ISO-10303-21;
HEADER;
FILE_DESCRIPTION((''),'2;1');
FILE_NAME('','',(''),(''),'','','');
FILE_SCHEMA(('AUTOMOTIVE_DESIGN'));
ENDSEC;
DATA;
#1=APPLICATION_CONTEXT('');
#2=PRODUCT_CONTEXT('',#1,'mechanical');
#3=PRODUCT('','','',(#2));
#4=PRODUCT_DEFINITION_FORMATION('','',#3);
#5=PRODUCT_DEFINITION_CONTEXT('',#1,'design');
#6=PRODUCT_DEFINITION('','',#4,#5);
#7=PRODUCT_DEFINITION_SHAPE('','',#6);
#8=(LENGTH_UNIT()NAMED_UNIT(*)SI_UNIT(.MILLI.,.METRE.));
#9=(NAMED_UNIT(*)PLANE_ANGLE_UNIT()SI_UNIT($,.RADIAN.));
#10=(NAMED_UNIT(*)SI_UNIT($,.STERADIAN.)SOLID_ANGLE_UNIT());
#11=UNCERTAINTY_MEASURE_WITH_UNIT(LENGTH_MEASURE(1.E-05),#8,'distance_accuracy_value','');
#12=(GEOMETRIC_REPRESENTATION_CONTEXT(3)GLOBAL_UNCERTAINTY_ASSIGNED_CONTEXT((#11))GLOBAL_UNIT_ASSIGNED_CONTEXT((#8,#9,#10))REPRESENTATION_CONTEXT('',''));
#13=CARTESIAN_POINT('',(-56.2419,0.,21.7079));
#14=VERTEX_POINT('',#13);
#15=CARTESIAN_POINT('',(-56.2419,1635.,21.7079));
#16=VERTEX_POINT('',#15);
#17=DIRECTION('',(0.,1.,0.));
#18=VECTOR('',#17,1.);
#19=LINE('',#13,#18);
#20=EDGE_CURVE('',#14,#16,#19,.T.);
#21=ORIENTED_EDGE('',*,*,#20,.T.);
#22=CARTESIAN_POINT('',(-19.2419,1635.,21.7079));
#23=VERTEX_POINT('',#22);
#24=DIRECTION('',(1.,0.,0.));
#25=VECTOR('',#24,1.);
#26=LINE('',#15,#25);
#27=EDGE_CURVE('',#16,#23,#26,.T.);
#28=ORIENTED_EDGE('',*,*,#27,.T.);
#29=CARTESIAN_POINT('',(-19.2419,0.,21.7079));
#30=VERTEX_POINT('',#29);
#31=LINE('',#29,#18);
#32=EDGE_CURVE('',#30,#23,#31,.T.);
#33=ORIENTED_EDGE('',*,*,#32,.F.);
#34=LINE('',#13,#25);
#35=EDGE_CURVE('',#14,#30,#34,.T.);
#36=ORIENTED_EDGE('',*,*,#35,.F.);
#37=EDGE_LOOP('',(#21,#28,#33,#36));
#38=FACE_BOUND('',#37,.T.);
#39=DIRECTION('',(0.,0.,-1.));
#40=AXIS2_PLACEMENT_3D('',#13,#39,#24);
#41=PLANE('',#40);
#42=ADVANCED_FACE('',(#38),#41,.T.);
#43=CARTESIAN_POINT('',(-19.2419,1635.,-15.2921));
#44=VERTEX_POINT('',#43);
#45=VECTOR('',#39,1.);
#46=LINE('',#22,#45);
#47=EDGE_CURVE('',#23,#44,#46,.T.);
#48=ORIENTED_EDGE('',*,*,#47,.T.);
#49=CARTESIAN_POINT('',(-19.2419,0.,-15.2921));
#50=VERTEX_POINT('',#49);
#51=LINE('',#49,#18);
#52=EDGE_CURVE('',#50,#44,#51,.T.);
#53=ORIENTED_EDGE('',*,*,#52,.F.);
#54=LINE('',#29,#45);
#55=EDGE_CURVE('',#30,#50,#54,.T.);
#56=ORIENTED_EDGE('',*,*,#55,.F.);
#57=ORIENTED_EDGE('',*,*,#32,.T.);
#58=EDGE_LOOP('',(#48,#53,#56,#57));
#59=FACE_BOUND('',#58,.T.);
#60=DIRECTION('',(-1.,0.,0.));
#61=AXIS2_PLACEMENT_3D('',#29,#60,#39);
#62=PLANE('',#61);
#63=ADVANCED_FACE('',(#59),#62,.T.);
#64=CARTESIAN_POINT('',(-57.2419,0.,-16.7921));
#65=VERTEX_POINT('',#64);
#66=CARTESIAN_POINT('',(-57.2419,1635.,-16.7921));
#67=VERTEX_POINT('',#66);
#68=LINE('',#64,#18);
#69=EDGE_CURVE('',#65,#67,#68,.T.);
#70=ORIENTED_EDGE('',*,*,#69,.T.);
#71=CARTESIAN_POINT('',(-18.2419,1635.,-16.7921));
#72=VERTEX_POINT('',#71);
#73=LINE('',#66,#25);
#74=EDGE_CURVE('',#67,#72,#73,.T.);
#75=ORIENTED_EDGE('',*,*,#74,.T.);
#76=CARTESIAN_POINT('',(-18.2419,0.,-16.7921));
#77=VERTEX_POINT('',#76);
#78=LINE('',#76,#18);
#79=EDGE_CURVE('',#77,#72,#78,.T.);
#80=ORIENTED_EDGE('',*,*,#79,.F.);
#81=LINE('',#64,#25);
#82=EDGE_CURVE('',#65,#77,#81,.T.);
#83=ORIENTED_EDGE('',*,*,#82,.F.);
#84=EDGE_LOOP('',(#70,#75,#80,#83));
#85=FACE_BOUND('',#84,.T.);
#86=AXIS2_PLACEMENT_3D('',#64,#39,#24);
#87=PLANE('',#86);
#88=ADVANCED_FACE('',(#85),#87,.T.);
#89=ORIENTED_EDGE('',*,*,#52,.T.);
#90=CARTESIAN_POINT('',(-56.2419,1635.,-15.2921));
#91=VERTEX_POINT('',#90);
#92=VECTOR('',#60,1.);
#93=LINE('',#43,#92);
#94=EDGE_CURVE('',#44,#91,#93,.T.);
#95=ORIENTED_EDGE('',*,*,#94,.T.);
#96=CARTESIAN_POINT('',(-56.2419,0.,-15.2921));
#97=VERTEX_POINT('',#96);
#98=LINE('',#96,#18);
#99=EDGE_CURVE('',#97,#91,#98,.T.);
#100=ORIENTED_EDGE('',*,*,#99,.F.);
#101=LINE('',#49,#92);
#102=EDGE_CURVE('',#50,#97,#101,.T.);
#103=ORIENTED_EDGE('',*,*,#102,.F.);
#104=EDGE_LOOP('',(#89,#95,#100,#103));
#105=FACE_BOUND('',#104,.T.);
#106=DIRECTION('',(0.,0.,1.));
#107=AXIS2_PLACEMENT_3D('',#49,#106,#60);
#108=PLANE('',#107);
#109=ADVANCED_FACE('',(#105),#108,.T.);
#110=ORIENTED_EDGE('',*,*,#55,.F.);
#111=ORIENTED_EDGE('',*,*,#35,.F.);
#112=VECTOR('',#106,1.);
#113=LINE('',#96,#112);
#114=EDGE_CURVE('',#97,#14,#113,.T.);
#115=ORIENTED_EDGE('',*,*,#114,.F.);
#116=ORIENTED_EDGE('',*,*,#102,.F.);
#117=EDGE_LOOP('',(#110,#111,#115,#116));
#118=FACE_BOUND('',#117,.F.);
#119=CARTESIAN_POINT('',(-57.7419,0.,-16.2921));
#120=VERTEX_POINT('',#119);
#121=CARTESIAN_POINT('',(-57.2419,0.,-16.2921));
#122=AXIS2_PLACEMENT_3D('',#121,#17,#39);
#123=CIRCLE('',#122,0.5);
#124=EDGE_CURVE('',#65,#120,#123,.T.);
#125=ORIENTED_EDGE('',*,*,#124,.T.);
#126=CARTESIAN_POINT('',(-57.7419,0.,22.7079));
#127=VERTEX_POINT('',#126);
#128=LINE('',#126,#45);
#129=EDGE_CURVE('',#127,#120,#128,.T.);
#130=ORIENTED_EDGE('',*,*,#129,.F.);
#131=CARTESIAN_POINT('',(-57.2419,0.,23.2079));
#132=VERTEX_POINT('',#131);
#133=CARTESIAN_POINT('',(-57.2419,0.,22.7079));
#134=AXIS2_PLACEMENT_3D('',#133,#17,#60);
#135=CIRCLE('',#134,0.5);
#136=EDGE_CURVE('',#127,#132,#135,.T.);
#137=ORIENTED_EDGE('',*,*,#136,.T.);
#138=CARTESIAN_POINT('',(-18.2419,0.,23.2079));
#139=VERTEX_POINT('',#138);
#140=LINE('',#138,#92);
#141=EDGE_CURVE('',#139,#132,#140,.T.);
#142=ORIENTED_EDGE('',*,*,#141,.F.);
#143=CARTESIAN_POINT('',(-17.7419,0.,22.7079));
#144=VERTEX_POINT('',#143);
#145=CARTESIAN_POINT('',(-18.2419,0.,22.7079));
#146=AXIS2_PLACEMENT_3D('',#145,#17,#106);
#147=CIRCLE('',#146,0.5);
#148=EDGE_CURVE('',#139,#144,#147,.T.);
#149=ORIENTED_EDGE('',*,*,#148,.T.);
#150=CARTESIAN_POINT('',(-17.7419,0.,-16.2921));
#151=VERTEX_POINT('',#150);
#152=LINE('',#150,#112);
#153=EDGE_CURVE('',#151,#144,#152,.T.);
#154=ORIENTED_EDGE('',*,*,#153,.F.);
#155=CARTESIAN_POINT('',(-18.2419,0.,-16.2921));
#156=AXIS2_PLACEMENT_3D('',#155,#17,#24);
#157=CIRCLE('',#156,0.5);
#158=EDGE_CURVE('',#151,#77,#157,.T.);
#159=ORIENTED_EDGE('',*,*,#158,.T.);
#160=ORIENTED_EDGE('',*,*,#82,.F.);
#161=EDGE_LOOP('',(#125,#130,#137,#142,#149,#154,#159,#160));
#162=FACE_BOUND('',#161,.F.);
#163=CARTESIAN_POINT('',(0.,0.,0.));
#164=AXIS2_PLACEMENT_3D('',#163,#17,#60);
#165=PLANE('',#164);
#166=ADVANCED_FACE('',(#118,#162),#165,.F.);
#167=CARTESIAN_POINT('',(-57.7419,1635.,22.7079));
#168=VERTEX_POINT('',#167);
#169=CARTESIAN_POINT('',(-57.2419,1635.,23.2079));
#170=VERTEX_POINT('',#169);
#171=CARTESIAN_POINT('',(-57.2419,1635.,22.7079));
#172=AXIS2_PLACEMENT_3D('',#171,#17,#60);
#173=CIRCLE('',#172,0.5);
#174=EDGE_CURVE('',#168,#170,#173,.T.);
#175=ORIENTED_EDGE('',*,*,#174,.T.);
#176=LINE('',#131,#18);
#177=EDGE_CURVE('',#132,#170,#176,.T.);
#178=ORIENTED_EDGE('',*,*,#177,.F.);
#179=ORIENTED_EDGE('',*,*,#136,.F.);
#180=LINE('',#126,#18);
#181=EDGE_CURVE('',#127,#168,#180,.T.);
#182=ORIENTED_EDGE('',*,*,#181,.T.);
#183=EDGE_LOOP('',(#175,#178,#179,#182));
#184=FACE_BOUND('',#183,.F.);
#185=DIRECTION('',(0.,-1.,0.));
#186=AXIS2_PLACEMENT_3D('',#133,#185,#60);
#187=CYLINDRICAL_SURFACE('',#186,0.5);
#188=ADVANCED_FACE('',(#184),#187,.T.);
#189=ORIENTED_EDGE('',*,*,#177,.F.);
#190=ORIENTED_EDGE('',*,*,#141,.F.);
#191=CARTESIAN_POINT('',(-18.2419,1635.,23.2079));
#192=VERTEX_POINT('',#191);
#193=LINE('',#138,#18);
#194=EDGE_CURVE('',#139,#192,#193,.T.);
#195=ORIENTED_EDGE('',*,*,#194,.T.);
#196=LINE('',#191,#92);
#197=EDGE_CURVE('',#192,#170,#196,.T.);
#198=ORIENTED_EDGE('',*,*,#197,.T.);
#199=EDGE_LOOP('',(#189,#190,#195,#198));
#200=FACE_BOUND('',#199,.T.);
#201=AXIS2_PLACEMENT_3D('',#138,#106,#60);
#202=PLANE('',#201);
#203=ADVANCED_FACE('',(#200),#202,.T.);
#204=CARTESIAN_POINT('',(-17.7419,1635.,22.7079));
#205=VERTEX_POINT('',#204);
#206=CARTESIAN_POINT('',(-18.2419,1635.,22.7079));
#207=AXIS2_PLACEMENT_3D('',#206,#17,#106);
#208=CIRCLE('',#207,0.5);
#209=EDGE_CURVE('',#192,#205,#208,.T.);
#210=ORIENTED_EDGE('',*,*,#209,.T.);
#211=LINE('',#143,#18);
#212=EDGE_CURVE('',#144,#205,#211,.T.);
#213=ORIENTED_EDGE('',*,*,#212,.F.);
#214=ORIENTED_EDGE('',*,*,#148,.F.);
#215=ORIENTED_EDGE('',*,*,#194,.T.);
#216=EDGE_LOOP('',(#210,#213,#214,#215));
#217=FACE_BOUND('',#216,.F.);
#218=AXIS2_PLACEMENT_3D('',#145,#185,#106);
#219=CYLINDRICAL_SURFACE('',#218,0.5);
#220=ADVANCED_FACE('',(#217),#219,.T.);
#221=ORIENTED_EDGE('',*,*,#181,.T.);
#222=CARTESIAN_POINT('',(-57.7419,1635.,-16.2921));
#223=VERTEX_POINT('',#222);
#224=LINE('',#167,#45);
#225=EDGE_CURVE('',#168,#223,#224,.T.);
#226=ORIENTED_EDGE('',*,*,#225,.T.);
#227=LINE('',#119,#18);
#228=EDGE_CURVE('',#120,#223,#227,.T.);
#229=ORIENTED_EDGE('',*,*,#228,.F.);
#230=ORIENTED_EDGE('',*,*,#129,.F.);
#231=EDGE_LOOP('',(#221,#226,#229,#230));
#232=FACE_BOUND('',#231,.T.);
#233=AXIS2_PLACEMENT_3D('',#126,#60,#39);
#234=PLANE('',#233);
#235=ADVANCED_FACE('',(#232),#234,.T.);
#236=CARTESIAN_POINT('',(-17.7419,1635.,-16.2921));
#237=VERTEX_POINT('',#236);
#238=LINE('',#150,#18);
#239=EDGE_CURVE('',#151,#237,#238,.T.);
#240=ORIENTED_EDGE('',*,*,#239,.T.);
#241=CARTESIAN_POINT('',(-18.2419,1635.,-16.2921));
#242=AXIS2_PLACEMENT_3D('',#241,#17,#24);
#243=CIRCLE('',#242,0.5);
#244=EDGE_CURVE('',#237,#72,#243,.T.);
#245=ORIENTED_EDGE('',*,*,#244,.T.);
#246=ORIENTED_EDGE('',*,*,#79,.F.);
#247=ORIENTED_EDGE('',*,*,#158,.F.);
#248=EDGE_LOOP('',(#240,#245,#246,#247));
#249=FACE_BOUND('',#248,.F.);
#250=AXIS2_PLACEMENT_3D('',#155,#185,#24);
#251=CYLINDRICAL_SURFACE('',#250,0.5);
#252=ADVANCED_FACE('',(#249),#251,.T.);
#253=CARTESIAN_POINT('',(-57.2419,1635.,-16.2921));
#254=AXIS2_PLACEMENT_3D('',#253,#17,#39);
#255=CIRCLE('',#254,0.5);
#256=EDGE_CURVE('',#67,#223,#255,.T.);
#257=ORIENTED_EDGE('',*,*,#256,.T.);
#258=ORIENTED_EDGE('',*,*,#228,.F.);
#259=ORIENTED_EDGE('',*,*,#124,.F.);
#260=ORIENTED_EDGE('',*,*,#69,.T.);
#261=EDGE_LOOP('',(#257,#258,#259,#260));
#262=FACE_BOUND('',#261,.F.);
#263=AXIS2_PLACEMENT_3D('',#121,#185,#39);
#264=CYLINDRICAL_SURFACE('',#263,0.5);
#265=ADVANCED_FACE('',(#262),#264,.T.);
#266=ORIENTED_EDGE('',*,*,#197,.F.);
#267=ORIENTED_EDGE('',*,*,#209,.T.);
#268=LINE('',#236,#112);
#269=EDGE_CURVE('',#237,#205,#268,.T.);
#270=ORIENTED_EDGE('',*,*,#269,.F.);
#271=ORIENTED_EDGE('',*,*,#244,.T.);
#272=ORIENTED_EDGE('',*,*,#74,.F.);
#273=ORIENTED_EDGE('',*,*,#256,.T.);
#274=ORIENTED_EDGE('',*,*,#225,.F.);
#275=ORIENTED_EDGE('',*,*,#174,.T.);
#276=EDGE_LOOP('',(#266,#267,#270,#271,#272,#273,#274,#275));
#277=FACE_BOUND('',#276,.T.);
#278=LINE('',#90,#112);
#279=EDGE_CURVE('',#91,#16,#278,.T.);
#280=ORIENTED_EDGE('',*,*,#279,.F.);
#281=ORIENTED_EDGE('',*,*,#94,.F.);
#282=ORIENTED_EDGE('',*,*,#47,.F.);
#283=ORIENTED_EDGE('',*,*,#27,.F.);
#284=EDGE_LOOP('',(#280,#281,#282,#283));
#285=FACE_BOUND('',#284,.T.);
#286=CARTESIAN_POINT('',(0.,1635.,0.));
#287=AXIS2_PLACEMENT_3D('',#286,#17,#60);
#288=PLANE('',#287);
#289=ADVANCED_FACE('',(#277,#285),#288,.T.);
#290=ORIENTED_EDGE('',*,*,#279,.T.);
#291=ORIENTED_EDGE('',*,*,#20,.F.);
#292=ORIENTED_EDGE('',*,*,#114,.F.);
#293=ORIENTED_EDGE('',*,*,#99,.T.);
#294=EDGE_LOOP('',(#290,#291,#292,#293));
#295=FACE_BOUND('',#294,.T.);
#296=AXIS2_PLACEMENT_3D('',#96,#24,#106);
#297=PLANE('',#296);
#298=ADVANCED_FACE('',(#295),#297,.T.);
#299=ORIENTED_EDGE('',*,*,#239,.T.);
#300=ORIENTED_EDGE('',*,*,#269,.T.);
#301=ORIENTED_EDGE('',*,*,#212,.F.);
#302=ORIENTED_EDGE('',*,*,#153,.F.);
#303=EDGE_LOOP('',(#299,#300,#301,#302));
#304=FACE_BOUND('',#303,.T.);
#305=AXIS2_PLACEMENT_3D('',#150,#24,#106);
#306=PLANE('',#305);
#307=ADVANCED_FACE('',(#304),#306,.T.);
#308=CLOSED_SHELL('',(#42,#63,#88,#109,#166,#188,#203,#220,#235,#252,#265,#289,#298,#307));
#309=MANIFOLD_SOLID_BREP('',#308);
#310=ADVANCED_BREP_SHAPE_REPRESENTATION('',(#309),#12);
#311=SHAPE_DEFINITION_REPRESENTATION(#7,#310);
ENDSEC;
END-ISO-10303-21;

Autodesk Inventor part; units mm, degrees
ref_plane "YZ Plane" through (0, 0, 0) normal (1, 0, 0) x (0, 1, 0)
ref_plane "XZ Plane" through (0, 0, 0) normal (0, 1, 0) x (-1, 0, 0)
ref_plane "XY Plane" through (0, 0, 0) normal (0, 0, 1) x (1, 0, 0)
sketch "Sketch1" plane through (0, 0, 0) normal (0, 1, 0) x (-1, 0, 0)
  line L0 (18.2419, 23.2079) -> (57.2419, 23.2079)
  line L1 (57.7419, 22.7079) -> (57.7419, -16.2921)
  line L2 (57.2419, -16.7921) -> (18.2419, -16.7921)
  line L3 (17.7419, -16.2921) -> (17.7419, 22.7079)
  line L4 (56.2419, 21.7079) -> (19.2419, 21.7079)
  line L5 (19.2419, 21.7079) -> (19.2419, -15.2921)
  line L6 (19.2419, -15.2921) -> (56.2419, -15.2921)
  line L7 (56.2419, -15.2921) -> (56.2419, 21.7079)
  arc A0 (18.2419, 23.2079) -> (17.7419, 22.7079) centre (18.2419, 22.7079) ccw
  arc A1 (57.7419, 22.7079) -> (57.2419, 23.2079) centre (57.2419, 22.7079) ccw
  arc A2 (57.2419, -16.7921) -> (57.7419, -16.2921) centre (57.2419, -16.2921) ccw
  arc A3 (17.7419, -16.2921) -> (18.2419, -16.7921) centre (18.2419, -16.2921) ccw
  point P0 (0, 0)
  point P1 (17.7419, 23.2079)
  point P2 (57.7419, 23.2079)
  point P3 (57.7419, -16.7921)
  dimension "d0" = 40
  dimension "d1" = 40
  dimension "d2" = 1.5
  dimension "d3" = 0.5
extrude "Extrusion1" add sketch "Sketch1" along normal blind 1635
properties part number "metalon2"
